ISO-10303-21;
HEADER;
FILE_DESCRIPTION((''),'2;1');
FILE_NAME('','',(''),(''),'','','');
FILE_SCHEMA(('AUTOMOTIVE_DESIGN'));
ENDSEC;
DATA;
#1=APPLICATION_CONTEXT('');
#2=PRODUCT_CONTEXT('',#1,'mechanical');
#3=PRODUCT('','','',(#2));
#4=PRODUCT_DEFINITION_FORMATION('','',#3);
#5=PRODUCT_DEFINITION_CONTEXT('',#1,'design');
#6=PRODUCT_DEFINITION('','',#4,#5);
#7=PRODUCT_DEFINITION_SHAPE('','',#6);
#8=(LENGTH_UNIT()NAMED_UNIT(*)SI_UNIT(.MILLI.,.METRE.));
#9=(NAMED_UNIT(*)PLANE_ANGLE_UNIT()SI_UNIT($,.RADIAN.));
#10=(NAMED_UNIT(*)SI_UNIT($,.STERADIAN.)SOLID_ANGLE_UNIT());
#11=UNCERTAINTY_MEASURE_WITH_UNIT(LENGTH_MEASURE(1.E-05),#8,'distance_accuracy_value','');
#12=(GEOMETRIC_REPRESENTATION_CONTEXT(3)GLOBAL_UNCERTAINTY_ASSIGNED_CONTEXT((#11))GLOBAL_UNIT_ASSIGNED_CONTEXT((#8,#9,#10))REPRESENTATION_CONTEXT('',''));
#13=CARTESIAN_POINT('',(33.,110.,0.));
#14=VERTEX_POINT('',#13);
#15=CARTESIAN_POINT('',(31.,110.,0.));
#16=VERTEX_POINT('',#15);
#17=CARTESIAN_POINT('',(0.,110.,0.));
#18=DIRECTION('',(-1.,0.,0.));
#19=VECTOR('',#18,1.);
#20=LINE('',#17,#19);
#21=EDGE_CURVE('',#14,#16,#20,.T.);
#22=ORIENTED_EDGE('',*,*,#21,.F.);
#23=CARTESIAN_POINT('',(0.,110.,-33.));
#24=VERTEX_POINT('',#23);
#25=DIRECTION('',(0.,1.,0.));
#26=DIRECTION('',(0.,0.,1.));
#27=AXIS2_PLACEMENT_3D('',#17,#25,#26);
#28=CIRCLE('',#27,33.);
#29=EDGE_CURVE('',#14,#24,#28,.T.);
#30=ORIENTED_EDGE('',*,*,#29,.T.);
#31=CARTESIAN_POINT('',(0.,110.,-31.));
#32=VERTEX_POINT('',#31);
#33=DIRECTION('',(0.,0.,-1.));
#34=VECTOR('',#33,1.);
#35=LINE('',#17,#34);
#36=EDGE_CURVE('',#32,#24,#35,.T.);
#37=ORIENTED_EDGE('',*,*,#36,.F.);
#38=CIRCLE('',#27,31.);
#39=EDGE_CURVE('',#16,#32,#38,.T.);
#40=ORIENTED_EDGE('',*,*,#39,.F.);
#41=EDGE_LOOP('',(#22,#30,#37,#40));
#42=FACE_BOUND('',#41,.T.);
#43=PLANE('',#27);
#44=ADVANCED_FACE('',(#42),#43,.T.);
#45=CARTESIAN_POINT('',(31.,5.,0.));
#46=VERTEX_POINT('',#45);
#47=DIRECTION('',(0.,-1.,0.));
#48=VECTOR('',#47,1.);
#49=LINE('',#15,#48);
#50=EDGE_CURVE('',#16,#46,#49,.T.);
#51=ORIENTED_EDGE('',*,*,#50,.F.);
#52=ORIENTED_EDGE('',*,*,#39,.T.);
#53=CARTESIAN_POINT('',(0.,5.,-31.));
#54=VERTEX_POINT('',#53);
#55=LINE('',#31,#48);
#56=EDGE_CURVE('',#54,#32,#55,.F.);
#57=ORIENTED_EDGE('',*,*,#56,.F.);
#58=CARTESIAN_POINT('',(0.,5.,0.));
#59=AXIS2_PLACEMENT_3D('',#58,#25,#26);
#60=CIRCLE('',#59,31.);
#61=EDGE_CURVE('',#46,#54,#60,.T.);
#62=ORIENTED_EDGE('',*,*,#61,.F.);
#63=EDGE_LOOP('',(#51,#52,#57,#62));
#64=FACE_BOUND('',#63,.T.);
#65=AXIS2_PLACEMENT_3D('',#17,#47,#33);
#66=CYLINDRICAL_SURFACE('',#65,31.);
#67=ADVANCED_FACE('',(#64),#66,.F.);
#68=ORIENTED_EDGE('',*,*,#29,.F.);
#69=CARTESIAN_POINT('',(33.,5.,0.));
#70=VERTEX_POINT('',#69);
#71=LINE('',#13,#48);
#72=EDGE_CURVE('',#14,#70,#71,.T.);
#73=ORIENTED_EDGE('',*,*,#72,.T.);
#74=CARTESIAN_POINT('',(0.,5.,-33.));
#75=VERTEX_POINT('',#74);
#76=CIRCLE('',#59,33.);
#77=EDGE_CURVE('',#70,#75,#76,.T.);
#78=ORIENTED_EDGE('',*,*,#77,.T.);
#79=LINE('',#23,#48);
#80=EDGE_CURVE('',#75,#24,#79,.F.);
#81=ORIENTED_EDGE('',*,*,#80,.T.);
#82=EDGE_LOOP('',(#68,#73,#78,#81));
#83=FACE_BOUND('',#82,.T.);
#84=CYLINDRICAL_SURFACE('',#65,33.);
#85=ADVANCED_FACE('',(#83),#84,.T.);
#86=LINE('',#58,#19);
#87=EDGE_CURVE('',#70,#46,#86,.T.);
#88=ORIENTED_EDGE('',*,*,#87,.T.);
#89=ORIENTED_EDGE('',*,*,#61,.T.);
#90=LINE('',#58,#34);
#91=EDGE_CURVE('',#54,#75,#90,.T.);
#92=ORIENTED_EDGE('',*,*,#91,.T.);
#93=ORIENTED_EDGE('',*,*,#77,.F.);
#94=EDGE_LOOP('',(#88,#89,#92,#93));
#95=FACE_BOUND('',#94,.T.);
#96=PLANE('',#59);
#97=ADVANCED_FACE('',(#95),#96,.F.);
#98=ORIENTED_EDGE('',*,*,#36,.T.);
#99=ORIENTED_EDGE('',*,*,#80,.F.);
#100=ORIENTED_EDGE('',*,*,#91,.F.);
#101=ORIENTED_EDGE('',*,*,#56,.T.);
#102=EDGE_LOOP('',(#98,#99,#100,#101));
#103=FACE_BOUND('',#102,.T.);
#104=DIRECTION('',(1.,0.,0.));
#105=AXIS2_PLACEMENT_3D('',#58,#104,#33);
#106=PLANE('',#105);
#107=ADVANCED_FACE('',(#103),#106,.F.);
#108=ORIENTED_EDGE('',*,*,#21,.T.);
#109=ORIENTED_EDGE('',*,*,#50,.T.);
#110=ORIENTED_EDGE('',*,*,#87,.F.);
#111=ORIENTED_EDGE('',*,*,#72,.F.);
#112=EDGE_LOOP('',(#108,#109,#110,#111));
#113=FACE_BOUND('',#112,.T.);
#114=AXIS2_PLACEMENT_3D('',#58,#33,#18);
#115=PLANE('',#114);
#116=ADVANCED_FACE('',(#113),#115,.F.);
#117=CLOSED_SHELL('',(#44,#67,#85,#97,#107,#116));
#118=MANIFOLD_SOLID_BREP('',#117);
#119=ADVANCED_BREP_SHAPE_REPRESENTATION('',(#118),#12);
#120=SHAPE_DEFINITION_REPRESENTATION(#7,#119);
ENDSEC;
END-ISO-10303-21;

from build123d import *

# Parameters (mm, degrees)
SKETCH2_R           = 33
SKETCH2_R_2         = 31
BOSS_EXTRUDE2_DEPTH = 105
CUT_EXTRUDE1_DEPTH  = 110


with BuildPart() as part:
    # Sketch2 → Boss-Extrude2 (new body)
    with BuildSketch(Plane(origin=(0, 5, 0), x_dir=(1, 0, 0), z_dir=(0, 1, 0))):
        with Locations(Location((0, 0, 0), (0, 0, 270))):
            Circle(SKETCH2_R)
        with Locations(Location((0, 0, 0), (0, 0, 270))):
            Circle(SKETCH2_R_2, mode=Mode.SUBTRACT)
    extrude(amount=BOSS_EXTRUDE2_DEPTH)

    # Sketch3 → Cut-Extrude1 (cut)
    with BuildSketch(Plane(origin=(0, 115, 0), x_dir=(1, 0, 0), z_dir=(0, 1, 0))):
        with BuildLine():
            ThreePointArc((0, 35), (-24.748737342, -24.748737342), (35, 0))
            Line((35, 0), (0, 0))
            Line((0, 0), (0, 35))
        make_face()
    extrude(amount=-CUT_EXTRUDE1_DEPTH, mode=Mode.SUBTRACT)


solid = part.part
